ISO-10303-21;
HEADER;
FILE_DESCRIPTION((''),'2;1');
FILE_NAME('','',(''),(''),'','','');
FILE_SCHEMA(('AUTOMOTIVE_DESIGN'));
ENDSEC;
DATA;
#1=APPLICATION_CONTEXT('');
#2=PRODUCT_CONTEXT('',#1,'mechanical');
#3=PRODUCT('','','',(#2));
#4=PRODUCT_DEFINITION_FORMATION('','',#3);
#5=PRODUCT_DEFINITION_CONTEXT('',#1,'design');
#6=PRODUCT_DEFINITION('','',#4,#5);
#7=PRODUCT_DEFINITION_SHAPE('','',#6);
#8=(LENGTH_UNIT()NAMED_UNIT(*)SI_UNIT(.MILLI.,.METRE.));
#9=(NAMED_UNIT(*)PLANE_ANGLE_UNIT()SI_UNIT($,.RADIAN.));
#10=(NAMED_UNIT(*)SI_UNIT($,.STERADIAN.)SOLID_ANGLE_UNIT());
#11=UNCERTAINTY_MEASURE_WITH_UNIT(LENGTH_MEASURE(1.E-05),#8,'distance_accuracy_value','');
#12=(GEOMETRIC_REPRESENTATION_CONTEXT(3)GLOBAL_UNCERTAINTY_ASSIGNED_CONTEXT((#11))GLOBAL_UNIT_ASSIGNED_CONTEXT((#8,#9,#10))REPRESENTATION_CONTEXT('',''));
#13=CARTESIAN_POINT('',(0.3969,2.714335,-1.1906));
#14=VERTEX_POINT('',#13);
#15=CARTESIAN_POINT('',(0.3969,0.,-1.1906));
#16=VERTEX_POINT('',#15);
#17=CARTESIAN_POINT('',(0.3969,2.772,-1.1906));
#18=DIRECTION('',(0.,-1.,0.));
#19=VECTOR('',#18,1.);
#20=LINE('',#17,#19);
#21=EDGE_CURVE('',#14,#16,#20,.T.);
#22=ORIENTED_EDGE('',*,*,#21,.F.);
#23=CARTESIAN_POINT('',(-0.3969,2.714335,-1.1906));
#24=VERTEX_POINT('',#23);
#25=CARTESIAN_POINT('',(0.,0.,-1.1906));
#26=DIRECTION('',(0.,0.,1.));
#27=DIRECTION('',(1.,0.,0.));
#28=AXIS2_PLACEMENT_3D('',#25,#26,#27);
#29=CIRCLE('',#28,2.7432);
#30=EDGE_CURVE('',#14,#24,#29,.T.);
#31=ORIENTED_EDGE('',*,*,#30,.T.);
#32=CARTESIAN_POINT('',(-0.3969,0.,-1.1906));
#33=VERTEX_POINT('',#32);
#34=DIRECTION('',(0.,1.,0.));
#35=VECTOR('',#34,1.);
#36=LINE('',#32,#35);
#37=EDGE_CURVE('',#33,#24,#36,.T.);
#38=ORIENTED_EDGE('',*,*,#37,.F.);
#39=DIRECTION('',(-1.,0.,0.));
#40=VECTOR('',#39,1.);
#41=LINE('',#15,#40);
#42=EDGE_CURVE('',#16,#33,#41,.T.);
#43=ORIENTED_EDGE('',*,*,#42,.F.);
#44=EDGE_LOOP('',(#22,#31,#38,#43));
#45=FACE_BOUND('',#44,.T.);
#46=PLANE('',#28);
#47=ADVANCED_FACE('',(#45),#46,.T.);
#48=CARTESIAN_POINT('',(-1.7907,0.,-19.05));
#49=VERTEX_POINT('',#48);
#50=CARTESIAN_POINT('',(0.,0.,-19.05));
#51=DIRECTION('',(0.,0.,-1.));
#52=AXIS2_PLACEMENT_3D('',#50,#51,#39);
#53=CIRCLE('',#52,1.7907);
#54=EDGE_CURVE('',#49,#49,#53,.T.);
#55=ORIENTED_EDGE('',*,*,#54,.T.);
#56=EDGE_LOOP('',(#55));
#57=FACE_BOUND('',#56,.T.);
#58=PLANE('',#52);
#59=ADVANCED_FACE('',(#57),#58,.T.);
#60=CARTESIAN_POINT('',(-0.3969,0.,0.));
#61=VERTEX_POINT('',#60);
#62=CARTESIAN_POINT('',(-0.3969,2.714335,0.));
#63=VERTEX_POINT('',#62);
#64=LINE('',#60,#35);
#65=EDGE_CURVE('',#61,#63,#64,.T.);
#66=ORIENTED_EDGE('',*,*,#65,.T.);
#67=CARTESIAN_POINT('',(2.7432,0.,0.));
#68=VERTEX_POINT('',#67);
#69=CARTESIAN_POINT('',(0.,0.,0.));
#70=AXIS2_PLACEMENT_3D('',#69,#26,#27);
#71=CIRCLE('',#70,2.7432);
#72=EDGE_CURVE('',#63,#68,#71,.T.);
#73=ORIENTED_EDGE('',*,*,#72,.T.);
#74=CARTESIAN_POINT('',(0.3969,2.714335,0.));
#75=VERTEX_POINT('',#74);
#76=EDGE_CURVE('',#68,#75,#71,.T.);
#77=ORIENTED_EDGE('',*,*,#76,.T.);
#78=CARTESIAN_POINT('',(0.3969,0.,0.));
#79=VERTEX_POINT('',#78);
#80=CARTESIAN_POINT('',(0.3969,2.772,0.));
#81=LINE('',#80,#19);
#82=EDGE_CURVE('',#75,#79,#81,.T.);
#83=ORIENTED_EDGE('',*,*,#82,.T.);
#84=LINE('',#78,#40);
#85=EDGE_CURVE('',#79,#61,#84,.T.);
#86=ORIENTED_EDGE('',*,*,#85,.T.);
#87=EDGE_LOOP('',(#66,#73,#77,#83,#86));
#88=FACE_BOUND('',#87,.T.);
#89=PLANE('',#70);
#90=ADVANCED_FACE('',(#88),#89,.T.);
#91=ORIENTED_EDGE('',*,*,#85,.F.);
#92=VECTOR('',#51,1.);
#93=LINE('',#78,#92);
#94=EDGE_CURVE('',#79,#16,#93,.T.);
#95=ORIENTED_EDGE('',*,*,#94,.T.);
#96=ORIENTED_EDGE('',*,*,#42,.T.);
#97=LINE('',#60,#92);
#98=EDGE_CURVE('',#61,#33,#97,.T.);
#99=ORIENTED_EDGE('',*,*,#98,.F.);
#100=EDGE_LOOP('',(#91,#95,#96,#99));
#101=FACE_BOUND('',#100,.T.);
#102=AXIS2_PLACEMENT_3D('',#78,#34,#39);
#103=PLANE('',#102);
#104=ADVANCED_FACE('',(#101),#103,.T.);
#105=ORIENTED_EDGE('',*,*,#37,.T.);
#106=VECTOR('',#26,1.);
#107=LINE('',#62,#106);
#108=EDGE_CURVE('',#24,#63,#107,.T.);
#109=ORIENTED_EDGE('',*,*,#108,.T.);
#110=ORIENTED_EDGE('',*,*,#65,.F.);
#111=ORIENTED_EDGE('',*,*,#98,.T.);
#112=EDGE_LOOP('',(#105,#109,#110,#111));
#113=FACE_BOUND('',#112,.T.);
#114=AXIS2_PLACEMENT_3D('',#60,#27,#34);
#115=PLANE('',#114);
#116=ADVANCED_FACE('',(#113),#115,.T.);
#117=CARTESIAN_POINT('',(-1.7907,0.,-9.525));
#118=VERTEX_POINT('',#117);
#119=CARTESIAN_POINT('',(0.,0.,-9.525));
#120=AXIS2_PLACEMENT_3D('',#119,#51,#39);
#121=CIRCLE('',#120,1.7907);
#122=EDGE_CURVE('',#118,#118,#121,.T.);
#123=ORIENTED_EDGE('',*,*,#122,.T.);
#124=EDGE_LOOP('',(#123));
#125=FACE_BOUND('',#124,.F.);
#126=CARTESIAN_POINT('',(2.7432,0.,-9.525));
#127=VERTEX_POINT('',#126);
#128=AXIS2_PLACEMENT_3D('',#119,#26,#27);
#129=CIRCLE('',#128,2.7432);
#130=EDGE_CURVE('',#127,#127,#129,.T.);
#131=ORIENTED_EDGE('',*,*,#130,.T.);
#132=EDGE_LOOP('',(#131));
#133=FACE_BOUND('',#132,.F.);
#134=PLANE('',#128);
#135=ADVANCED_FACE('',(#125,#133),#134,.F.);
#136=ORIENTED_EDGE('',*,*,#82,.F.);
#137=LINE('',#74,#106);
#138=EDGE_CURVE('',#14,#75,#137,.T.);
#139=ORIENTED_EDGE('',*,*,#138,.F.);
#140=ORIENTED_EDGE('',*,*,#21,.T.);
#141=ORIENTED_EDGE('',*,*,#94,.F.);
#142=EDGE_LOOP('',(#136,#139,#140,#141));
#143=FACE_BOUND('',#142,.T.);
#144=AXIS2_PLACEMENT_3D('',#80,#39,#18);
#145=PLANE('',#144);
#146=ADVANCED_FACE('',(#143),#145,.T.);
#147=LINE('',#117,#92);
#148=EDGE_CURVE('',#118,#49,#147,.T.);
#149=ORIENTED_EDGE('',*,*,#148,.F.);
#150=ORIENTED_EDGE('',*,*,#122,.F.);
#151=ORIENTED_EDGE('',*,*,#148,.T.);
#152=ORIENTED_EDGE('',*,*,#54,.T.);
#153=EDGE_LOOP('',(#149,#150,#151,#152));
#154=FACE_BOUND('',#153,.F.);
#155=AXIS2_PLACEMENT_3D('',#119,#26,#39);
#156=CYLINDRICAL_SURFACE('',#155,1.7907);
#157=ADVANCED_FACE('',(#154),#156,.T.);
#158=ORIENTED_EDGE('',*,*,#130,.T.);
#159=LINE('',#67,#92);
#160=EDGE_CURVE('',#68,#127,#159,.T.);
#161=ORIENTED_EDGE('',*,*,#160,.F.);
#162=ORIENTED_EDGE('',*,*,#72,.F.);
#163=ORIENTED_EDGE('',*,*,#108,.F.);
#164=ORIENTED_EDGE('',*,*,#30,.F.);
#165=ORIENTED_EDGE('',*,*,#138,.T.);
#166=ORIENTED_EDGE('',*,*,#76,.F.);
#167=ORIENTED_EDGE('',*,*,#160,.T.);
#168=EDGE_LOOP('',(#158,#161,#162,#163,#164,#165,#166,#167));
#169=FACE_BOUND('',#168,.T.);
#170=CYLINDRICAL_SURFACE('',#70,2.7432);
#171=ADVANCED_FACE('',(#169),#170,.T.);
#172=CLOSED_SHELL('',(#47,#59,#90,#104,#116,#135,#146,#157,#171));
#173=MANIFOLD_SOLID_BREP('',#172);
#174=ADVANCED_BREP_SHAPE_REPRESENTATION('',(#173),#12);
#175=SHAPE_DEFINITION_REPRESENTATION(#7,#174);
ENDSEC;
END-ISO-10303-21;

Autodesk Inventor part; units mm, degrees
ref_plane "YZ Plane" through (0, 0, 0) normal (1, 0, 0) x (0, 1, 0)
ref_plane "XZ Plane" through (0, 0, 0) normal (0, 1, 0) x (-1, 0, 0)
ref_plane "XY Plane" through (0, 0, 0) normal (0, 0, 1) x (1, 0, 0)
sketch "Sketch1" plane through (0, 0, 0) normal (0, 0, 1) x (1, 0, 0)
  circle A0 centre (0, 0) radius 2.7432
  dimension "d0" = 5.4864
extrude "Extrusion1" add sketch "Sketch1" against normal blind 9.525
sketch "Sketch2" plane through (0, 0, -9.525) normal (0, 0, -1) x (-1, 0, 0)
  circle A0 centre (0, 0) radius 1.7907
  dimension "d3" = 3.5814
extrude "Extrusion2" add sketch "Sketch2" along normal blind 9.525
thread "Thread1" size "12-24 UNC" class "2A" standard "ANSI Unified Screw Threads" length 9.525 offset 1.1906
thread "Thread2" size "12-24 UNC" class "2A" standard "ANSI Unified Screw Threads" full length
sketch "Sketch3" plane through (0, 0, 0) normal (0, 0, 1) x (1, 0, 0)
  line L0 (0, 0) -> (0, 3.3215) construction
  line L1 (-0.3969, 2.772) -> (0.3969, 2.772)
  line L2 (0.3969, 2.772) -> (0.3969, 0)
  line L3 (0.3969, 0) -> (-0.3969, 0)
  line L4 (-0.3969, 0) -> (-0.3969, 2.772)
  dimension "d10" = 0.3969
  dimension "d11" = 0.7937
extrude "Extrusion3" cut sketch "Sketch3" against normal blind 1.1906
properties part number "VS-010 (SET SCREW)" material "Steel, Carbon"
